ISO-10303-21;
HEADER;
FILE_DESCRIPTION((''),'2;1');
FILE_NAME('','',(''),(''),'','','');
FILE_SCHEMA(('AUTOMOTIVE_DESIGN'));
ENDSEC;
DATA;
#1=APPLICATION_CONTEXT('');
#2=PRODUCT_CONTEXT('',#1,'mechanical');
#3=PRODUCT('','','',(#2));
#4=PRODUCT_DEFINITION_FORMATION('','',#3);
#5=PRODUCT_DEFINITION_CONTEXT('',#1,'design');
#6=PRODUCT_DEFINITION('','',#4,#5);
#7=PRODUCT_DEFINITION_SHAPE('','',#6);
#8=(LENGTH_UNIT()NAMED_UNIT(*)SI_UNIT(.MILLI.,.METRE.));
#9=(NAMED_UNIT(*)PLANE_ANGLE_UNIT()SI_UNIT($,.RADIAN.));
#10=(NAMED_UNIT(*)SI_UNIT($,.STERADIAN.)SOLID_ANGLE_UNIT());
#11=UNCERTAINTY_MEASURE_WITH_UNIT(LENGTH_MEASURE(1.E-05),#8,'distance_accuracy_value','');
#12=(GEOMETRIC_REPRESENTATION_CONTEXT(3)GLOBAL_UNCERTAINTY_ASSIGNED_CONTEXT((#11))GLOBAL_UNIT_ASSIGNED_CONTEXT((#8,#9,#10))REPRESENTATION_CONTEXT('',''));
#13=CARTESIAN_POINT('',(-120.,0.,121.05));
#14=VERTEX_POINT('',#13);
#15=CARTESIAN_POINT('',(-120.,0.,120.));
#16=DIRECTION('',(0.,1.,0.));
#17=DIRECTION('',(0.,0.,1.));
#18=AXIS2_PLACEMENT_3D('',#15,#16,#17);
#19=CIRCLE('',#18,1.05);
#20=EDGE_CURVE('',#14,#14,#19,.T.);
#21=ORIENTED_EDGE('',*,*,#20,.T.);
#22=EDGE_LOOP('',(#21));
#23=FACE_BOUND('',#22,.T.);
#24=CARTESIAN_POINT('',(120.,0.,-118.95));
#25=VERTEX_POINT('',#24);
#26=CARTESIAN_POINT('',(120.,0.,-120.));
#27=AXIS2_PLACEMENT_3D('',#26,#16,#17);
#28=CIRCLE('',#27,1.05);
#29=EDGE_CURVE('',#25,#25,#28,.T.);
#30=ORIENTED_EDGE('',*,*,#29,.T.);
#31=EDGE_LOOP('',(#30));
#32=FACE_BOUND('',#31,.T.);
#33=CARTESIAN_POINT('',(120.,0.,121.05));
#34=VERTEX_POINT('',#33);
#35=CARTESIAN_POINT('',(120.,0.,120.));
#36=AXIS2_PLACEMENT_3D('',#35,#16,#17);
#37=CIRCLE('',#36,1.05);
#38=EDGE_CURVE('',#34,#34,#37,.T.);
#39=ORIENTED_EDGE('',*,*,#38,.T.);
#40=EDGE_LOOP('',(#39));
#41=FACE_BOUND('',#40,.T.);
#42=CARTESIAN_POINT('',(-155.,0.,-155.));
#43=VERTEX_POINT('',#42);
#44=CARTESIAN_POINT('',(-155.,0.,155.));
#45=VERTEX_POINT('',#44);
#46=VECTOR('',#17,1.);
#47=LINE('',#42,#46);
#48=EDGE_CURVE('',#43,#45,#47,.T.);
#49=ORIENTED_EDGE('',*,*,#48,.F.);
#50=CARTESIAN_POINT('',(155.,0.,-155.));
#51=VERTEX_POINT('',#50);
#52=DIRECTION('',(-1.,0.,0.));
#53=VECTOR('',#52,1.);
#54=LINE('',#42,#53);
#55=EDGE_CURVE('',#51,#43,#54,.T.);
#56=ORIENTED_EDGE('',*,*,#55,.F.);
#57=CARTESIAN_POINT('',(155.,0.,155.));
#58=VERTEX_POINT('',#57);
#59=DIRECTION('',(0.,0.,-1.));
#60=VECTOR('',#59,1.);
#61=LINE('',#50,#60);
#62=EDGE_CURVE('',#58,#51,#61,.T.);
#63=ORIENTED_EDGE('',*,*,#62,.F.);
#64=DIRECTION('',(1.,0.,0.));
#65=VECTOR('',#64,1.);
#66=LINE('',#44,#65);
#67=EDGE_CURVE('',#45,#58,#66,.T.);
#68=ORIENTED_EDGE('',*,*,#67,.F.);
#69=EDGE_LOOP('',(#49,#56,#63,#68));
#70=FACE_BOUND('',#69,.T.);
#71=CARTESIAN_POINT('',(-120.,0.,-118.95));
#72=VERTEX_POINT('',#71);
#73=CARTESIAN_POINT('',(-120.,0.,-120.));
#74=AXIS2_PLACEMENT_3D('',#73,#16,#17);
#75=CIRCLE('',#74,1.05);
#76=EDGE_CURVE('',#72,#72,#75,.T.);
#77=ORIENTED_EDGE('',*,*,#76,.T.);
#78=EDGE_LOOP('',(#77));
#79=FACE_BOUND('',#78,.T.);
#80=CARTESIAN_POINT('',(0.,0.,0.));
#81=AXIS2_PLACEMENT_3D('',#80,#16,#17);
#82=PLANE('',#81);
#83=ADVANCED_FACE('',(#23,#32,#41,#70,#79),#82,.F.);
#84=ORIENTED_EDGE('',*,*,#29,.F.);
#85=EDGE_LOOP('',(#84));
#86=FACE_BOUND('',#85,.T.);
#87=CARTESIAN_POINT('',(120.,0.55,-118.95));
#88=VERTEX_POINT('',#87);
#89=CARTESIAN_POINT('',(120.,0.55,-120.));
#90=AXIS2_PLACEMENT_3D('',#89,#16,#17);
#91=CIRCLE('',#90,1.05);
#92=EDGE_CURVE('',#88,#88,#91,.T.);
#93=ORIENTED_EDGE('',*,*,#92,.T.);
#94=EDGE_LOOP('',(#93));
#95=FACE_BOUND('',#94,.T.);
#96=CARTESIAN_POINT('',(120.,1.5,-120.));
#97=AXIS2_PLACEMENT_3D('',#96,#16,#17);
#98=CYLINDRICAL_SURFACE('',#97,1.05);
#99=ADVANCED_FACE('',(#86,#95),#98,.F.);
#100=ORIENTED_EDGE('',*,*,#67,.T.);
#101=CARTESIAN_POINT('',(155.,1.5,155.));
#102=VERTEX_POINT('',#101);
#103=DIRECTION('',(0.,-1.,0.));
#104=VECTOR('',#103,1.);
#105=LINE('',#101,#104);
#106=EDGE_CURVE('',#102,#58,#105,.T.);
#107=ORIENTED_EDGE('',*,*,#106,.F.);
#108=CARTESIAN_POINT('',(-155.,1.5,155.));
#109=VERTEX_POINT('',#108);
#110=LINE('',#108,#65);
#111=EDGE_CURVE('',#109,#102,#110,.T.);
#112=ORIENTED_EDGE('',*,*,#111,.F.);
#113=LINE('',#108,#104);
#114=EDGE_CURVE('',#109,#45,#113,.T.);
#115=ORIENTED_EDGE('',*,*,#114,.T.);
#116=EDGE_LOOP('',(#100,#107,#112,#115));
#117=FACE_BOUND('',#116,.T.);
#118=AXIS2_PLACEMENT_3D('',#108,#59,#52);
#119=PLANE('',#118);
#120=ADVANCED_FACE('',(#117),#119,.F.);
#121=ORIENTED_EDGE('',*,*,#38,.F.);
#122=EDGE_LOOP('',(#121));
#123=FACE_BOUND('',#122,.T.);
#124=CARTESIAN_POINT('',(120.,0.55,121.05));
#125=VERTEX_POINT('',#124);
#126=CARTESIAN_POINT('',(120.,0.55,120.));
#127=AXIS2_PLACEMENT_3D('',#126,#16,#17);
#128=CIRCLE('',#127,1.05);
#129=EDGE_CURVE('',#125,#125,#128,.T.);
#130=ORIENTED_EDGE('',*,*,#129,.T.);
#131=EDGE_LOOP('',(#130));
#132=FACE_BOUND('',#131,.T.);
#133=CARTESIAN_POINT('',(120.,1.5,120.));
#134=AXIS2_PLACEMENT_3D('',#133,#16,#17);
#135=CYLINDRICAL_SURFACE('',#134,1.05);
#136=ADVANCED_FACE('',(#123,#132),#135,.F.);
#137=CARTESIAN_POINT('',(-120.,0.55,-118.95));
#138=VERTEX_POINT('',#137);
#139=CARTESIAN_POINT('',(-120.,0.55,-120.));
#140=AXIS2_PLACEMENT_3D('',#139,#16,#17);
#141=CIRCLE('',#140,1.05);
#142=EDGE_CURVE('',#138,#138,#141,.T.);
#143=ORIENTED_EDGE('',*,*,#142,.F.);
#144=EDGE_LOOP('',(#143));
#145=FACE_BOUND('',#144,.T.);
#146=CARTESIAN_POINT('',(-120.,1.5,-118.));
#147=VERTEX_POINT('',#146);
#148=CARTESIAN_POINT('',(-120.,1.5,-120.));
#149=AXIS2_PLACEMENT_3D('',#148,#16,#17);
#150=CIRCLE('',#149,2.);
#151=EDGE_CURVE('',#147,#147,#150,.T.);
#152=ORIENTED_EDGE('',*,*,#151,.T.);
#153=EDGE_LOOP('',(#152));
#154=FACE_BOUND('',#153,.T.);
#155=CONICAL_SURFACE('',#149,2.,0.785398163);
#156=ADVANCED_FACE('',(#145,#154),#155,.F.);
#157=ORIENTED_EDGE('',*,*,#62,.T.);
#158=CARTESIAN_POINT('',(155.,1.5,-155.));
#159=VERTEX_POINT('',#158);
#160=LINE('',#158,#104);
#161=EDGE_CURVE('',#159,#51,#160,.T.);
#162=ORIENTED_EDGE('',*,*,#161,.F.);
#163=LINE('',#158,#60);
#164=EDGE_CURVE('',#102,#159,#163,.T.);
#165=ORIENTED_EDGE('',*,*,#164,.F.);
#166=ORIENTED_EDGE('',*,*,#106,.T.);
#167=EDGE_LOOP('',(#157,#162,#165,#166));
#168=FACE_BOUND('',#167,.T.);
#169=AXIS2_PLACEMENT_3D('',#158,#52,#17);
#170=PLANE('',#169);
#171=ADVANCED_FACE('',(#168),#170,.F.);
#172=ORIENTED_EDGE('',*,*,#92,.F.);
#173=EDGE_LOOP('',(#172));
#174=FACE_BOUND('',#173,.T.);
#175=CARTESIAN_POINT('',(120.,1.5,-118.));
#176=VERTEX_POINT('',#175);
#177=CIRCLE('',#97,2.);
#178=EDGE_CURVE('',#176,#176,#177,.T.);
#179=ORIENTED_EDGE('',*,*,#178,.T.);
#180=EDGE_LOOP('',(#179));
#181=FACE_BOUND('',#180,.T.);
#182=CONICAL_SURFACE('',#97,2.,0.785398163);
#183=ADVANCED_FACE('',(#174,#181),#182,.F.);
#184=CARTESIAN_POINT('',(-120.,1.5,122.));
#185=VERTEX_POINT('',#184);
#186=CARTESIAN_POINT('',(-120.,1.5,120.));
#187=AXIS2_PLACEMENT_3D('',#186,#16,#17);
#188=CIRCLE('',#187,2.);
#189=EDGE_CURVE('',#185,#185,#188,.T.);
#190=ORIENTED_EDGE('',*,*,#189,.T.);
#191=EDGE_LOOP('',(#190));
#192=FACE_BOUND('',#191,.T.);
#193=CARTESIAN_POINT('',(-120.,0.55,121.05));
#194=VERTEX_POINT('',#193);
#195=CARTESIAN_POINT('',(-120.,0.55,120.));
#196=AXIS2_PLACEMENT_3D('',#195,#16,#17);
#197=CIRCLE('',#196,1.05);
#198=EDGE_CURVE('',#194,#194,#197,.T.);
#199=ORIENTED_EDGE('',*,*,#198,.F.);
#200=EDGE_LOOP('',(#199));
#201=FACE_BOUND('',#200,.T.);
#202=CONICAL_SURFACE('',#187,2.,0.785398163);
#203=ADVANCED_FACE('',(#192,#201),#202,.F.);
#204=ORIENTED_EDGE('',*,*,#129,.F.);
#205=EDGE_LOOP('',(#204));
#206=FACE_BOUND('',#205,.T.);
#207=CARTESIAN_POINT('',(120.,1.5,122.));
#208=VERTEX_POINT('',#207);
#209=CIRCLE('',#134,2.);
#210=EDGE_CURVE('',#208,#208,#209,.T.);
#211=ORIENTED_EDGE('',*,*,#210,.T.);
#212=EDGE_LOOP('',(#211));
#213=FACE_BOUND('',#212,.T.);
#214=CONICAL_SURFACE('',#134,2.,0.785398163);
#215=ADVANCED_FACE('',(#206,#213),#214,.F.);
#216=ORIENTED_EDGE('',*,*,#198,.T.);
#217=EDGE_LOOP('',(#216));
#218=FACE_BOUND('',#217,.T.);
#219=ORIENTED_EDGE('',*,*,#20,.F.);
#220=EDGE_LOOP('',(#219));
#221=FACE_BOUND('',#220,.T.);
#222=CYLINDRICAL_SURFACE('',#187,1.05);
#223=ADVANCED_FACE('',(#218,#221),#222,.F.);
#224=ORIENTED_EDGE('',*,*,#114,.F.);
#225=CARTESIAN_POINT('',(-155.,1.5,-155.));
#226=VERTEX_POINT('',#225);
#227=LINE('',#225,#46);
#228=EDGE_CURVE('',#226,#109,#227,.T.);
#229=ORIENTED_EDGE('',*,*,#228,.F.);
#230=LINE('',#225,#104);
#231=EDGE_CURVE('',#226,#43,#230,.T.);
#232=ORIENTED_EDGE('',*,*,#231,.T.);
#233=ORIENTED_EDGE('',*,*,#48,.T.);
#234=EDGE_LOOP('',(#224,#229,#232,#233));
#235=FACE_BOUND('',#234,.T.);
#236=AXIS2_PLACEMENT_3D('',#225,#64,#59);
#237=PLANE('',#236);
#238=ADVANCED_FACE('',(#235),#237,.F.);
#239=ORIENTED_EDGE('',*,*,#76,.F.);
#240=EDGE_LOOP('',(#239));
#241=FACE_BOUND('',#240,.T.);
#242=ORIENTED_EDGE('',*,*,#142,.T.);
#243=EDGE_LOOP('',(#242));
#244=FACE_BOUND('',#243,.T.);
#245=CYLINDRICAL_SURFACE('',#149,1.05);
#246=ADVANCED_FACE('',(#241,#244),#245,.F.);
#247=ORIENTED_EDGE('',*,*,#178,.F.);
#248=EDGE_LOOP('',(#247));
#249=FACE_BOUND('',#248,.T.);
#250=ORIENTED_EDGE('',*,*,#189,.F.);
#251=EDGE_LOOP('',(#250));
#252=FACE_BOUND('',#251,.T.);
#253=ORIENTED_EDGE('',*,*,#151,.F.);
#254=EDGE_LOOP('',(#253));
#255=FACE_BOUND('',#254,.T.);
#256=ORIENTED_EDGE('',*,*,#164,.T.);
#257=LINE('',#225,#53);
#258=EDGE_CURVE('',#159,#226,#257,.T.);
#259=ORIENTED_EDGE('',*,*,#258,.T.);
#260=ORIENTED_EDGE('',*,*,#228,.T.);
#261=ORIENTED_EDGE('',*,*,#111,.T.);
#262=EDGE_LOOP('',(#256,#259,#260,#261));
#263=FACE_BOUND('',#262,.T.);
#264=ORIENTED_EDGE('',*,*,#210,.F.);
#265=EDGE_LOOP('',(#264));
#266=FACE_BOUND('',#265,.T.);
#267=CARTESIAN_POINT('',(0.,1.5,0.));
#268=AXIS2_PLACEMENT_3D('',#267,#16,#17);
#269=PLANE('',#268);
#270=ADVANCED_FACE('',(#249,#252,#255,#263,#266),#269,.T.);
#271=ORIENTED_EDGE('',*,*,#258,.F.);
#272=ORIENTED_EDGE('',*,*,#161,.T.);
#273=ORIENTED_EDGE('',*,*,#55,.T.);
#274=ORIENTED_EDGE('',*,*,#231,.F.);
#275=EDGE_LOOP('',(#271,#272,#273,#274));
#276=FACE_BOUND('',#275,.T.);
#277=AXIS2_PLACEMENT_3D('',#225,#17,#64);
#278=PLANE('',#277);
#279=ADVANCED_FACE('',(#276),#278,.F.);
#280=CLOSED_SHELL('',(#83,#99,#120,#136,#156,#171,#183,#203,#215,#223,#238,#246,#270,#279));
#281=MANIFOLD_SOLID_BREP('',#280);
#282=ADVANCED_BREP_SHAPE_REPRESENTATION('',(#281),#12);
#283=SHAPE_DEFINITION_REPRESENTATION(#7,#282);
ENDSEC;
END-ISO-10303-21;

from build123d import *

# Parameters (mm, degrees)
SKETCH_1_W               = 310
SKETCH_1_H               = 310
EXTRUDE_1_DEPTH          = 1.5
HOLE_WIZARD_1_AT_2_COUNT = 2
HOLE_WIZARD_1_AT_2_PITCH = 240
HOLE_WIZARD_1_AT_3_COUNT = 2
HOLE_WIZARD_1_AT_3_PITCH = 339.41125497
HOLE_WIZARD_1_AT_4_COUNT = 2
HOLE_WIZARD_1_AT_4_PITCH = 240


with BuildPart() as part:
    # 草图1 → 凸台-拉伸1 (new body)
    with BuildSketch(Plane(origin=(0, 0, 0), x_dir=(1, 0, 0), z_dir=(0, 1, 0))):
        Rectangle(SKETCH_1_W, SKETCH_1_H)
    extrude(amount=EXTRUDE_1_DEPTH)

    # 草图3 → 打孔尺寸(%根据)内六角花形沉头螺钉的类型1 (revolve, cut)
    with BuildSketch(Plane(origin=(-120, 1.5, -120), x_dir=(0, 0, 1), z_dir=(1, 0, 0))):
        Polygon((0, 0), (0, 1.5), (1.05, 1.5), (1.05, 0.95), (2, 0), align=None)
    hole_wizard_1 = revolve(axis=Axis((-120, 7.85, -120), (0, -1, 0)), mode=Mode.SUBTRACT)

    # 打孔尺寸(%根据)内六角花形沉头螺钉的类型1 at 2: 打孔尺寸(%根据)内六角花形沉头螺钉的类型1 ×2
    with Locations(*[(i * HOLE_WIZARD_1_AT_2_PITCH, 0, 0) for i in range(1, HOLE_WIZARD_1_AT_2_COUNT)]):
        add(hole_wizard_1, mode=Mode.SUBTRACT)

    # 打孔尺寸(%根据)内六角花形沉头螺钉的类型1 at 3: 打孔尺寸(%根据)内六角花形沉头螺钉的类型1 ×2
    with Locations(*[Vector(0.707106781, 0, 0.707106781) * (i * HOLE_WIZARD_1_AT_3_PITCH) for i in range(1, HOLE_WIZARD_1_AT_3_COUNT)]):
        add(hole_wizard_1, mode=Mode.SUBTRACT)

    # 打孔尺寸(%根据)内六角花形沉头螺钉的类型1 at 4: 打孔尺寸(%根据)内六角花形沉头螺钉的类型1 ×2
    with Locations(*[(0, 0, i * HOLE_WIZARD_1_AT_4_PITCH) for i in range(1, HOLE_WIZARD_1_AT_4_COUNT)]):
        add(hole_wizard_1, mode=Mode.SUBTRACT)


solid = part.part
